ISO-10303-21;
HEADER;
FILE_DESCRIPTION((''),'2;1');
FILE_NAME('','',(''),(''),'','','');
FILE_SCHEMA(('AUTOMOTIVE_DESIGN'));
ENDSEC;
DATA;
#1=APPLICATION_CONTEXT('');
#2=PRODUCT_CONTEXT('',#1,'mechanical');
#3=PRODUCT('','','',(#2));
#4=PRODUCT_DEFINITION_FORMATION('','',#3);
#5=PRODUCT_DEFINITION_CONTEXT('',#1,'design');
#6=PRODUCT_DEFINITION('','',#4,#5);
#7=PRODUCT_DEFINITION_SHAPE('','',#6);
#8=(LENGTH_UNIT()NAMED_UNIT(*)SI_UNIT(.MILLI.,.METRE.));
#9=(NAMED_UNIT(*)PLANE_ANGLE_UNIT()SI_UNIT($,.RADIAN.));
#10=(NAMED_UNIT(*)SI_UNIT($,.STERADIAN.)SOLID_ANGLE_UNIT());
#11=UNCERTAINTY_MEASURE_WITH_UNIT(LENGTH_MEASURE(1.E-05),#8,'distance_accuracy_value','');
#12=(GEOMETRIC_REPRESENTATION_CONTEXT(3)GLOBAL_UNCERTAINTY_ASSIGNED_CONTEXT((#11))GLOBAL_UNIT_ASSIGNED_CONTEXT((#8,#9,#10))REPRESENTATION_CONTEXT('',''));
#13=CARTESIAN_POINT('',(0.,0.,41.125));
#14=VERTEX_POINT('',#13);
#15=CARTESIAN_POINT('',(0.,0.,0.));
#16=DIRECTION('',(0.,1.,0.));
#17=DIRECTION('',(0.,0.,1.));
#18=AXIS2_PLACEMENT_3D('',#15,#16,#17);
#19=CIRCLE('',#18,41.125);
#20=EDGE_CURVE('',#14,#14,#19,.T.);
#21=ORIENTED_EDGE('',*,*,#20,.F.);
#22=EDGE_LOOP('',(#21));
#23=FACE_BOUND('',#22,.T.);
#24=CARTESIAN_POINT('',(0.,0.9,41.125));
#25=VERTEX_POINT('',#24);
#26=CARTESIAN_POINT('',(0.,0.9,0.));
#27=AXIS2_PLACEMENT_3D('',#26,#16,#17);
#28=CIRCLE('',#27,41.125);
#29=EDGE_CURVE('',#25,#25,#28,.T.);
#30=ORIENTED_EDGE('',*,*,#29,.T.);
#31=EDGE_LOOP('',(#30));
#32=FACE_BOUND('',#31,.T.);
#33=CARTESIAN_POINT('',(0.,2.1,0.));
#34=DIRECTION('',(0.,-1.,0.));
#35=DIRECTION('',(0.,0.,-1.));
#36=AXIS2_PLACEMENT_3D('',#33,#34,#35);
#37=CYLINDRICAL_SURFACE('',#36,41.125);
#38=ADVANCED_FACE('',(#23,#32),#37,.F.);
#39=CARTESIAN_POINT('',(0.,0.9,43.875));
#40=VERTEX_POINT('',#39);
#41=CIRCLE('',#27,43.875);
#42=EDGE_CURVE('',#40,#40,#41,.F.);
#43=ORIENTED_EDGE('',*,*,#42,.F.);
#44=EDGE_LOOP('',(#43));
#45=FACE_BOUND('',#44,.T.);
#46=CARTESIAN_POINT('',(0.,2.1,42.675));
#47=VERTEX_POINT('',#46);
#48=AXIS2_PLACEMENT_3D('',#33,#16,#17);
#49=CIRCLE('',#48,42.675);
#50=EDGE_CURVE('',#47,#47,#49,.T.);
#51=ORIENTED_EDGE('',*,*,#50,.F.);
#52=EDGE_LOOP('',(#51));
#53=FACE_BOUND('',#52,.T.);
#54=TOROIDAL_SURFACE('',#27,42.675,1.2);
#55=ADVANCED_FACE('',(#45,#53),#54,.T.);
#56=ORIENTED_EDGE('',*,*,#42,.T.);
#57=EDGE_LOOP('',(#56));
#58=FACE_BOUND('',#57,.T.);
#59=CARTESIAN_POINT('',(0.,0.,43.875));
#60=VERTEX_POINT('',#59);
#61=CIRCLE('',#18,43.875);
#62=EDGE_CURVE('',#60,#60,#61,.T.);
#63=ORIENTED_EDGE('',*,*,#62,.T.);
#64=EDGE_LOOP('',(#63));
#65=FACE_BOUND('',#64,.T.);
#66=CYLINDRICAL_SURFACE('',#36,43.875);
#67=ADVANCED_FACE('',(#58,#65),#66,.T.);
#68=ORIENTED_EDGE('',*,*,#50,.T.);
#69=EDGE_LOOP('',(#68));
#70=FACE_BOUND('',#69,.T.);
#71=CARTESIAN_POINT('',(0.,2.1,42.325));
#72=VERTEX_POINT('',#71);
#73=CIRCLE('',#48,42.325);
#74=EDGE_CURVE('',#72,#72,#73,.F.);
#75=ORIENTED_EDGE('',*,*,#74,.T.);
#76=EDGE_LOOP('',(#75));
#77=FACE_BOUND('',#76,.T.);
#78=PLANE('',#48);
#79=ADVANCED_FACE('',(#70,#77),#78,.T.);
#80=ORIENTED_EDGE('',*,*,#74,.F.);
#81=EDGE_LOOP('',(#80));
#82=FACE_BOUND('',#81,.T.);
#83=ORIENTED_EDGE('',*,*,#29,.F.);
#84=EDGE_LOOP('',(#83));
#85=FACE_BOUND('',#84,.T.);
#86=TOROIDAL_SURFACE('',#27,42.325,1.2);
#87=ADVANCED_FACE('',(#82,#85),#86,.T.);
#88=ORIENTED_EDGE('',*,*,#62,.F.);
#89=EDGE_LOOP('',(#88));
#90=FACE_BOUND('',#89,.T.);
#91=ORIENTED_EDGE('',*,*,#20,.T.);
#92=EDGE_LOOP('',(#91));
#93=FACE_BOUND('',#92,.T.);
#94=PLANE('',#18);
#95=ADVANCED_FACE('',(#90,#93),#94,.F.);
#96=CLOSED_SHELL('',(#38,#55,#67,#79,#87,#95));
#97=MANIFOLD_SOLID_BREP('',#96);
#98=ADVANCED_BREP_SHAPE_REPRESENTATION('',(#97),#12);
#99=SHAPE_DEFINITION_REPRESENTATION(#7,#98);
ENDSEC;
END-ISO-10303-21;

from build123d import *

# Parameters (mm, degrees)
SKETCH1_R           = 43.875
SKETCH1_R_2         = 41.125
BOSS_EXTRUDE1_DEPTH = 2.1
FILLET3_R           = 1.2


with BuildPart() as part:
    # Sketch1 → Boss-Extrude1 (new body)
    with BuildSketch(Plane(origin=(0, 0, 0), x_dir=(1, 0, 0), z_dir=(0, 1, 0))):
        with Locations(Location((0, 0, 0), (0, 0, 270))):
            Circle(SKETCH1_R)
        with Locations(Location((0, 0, 0), (0, 0, 270))):
            Circle(SKETCH1_R_2, mode=Mode.SUBTRACT)
    extrude(amount=BOSS_EXTRUDE1_DEPTH)

    # Fillet3
    fillet3_edges = [part.edges().sort_by_distance(p)[0] for p in [
        (0, 2.1, -43.875),
        (0, 2.1, -41.125),
    ]]
    fillet(fillet3_edges, radius=FILLET3_R)


solid = part.part
